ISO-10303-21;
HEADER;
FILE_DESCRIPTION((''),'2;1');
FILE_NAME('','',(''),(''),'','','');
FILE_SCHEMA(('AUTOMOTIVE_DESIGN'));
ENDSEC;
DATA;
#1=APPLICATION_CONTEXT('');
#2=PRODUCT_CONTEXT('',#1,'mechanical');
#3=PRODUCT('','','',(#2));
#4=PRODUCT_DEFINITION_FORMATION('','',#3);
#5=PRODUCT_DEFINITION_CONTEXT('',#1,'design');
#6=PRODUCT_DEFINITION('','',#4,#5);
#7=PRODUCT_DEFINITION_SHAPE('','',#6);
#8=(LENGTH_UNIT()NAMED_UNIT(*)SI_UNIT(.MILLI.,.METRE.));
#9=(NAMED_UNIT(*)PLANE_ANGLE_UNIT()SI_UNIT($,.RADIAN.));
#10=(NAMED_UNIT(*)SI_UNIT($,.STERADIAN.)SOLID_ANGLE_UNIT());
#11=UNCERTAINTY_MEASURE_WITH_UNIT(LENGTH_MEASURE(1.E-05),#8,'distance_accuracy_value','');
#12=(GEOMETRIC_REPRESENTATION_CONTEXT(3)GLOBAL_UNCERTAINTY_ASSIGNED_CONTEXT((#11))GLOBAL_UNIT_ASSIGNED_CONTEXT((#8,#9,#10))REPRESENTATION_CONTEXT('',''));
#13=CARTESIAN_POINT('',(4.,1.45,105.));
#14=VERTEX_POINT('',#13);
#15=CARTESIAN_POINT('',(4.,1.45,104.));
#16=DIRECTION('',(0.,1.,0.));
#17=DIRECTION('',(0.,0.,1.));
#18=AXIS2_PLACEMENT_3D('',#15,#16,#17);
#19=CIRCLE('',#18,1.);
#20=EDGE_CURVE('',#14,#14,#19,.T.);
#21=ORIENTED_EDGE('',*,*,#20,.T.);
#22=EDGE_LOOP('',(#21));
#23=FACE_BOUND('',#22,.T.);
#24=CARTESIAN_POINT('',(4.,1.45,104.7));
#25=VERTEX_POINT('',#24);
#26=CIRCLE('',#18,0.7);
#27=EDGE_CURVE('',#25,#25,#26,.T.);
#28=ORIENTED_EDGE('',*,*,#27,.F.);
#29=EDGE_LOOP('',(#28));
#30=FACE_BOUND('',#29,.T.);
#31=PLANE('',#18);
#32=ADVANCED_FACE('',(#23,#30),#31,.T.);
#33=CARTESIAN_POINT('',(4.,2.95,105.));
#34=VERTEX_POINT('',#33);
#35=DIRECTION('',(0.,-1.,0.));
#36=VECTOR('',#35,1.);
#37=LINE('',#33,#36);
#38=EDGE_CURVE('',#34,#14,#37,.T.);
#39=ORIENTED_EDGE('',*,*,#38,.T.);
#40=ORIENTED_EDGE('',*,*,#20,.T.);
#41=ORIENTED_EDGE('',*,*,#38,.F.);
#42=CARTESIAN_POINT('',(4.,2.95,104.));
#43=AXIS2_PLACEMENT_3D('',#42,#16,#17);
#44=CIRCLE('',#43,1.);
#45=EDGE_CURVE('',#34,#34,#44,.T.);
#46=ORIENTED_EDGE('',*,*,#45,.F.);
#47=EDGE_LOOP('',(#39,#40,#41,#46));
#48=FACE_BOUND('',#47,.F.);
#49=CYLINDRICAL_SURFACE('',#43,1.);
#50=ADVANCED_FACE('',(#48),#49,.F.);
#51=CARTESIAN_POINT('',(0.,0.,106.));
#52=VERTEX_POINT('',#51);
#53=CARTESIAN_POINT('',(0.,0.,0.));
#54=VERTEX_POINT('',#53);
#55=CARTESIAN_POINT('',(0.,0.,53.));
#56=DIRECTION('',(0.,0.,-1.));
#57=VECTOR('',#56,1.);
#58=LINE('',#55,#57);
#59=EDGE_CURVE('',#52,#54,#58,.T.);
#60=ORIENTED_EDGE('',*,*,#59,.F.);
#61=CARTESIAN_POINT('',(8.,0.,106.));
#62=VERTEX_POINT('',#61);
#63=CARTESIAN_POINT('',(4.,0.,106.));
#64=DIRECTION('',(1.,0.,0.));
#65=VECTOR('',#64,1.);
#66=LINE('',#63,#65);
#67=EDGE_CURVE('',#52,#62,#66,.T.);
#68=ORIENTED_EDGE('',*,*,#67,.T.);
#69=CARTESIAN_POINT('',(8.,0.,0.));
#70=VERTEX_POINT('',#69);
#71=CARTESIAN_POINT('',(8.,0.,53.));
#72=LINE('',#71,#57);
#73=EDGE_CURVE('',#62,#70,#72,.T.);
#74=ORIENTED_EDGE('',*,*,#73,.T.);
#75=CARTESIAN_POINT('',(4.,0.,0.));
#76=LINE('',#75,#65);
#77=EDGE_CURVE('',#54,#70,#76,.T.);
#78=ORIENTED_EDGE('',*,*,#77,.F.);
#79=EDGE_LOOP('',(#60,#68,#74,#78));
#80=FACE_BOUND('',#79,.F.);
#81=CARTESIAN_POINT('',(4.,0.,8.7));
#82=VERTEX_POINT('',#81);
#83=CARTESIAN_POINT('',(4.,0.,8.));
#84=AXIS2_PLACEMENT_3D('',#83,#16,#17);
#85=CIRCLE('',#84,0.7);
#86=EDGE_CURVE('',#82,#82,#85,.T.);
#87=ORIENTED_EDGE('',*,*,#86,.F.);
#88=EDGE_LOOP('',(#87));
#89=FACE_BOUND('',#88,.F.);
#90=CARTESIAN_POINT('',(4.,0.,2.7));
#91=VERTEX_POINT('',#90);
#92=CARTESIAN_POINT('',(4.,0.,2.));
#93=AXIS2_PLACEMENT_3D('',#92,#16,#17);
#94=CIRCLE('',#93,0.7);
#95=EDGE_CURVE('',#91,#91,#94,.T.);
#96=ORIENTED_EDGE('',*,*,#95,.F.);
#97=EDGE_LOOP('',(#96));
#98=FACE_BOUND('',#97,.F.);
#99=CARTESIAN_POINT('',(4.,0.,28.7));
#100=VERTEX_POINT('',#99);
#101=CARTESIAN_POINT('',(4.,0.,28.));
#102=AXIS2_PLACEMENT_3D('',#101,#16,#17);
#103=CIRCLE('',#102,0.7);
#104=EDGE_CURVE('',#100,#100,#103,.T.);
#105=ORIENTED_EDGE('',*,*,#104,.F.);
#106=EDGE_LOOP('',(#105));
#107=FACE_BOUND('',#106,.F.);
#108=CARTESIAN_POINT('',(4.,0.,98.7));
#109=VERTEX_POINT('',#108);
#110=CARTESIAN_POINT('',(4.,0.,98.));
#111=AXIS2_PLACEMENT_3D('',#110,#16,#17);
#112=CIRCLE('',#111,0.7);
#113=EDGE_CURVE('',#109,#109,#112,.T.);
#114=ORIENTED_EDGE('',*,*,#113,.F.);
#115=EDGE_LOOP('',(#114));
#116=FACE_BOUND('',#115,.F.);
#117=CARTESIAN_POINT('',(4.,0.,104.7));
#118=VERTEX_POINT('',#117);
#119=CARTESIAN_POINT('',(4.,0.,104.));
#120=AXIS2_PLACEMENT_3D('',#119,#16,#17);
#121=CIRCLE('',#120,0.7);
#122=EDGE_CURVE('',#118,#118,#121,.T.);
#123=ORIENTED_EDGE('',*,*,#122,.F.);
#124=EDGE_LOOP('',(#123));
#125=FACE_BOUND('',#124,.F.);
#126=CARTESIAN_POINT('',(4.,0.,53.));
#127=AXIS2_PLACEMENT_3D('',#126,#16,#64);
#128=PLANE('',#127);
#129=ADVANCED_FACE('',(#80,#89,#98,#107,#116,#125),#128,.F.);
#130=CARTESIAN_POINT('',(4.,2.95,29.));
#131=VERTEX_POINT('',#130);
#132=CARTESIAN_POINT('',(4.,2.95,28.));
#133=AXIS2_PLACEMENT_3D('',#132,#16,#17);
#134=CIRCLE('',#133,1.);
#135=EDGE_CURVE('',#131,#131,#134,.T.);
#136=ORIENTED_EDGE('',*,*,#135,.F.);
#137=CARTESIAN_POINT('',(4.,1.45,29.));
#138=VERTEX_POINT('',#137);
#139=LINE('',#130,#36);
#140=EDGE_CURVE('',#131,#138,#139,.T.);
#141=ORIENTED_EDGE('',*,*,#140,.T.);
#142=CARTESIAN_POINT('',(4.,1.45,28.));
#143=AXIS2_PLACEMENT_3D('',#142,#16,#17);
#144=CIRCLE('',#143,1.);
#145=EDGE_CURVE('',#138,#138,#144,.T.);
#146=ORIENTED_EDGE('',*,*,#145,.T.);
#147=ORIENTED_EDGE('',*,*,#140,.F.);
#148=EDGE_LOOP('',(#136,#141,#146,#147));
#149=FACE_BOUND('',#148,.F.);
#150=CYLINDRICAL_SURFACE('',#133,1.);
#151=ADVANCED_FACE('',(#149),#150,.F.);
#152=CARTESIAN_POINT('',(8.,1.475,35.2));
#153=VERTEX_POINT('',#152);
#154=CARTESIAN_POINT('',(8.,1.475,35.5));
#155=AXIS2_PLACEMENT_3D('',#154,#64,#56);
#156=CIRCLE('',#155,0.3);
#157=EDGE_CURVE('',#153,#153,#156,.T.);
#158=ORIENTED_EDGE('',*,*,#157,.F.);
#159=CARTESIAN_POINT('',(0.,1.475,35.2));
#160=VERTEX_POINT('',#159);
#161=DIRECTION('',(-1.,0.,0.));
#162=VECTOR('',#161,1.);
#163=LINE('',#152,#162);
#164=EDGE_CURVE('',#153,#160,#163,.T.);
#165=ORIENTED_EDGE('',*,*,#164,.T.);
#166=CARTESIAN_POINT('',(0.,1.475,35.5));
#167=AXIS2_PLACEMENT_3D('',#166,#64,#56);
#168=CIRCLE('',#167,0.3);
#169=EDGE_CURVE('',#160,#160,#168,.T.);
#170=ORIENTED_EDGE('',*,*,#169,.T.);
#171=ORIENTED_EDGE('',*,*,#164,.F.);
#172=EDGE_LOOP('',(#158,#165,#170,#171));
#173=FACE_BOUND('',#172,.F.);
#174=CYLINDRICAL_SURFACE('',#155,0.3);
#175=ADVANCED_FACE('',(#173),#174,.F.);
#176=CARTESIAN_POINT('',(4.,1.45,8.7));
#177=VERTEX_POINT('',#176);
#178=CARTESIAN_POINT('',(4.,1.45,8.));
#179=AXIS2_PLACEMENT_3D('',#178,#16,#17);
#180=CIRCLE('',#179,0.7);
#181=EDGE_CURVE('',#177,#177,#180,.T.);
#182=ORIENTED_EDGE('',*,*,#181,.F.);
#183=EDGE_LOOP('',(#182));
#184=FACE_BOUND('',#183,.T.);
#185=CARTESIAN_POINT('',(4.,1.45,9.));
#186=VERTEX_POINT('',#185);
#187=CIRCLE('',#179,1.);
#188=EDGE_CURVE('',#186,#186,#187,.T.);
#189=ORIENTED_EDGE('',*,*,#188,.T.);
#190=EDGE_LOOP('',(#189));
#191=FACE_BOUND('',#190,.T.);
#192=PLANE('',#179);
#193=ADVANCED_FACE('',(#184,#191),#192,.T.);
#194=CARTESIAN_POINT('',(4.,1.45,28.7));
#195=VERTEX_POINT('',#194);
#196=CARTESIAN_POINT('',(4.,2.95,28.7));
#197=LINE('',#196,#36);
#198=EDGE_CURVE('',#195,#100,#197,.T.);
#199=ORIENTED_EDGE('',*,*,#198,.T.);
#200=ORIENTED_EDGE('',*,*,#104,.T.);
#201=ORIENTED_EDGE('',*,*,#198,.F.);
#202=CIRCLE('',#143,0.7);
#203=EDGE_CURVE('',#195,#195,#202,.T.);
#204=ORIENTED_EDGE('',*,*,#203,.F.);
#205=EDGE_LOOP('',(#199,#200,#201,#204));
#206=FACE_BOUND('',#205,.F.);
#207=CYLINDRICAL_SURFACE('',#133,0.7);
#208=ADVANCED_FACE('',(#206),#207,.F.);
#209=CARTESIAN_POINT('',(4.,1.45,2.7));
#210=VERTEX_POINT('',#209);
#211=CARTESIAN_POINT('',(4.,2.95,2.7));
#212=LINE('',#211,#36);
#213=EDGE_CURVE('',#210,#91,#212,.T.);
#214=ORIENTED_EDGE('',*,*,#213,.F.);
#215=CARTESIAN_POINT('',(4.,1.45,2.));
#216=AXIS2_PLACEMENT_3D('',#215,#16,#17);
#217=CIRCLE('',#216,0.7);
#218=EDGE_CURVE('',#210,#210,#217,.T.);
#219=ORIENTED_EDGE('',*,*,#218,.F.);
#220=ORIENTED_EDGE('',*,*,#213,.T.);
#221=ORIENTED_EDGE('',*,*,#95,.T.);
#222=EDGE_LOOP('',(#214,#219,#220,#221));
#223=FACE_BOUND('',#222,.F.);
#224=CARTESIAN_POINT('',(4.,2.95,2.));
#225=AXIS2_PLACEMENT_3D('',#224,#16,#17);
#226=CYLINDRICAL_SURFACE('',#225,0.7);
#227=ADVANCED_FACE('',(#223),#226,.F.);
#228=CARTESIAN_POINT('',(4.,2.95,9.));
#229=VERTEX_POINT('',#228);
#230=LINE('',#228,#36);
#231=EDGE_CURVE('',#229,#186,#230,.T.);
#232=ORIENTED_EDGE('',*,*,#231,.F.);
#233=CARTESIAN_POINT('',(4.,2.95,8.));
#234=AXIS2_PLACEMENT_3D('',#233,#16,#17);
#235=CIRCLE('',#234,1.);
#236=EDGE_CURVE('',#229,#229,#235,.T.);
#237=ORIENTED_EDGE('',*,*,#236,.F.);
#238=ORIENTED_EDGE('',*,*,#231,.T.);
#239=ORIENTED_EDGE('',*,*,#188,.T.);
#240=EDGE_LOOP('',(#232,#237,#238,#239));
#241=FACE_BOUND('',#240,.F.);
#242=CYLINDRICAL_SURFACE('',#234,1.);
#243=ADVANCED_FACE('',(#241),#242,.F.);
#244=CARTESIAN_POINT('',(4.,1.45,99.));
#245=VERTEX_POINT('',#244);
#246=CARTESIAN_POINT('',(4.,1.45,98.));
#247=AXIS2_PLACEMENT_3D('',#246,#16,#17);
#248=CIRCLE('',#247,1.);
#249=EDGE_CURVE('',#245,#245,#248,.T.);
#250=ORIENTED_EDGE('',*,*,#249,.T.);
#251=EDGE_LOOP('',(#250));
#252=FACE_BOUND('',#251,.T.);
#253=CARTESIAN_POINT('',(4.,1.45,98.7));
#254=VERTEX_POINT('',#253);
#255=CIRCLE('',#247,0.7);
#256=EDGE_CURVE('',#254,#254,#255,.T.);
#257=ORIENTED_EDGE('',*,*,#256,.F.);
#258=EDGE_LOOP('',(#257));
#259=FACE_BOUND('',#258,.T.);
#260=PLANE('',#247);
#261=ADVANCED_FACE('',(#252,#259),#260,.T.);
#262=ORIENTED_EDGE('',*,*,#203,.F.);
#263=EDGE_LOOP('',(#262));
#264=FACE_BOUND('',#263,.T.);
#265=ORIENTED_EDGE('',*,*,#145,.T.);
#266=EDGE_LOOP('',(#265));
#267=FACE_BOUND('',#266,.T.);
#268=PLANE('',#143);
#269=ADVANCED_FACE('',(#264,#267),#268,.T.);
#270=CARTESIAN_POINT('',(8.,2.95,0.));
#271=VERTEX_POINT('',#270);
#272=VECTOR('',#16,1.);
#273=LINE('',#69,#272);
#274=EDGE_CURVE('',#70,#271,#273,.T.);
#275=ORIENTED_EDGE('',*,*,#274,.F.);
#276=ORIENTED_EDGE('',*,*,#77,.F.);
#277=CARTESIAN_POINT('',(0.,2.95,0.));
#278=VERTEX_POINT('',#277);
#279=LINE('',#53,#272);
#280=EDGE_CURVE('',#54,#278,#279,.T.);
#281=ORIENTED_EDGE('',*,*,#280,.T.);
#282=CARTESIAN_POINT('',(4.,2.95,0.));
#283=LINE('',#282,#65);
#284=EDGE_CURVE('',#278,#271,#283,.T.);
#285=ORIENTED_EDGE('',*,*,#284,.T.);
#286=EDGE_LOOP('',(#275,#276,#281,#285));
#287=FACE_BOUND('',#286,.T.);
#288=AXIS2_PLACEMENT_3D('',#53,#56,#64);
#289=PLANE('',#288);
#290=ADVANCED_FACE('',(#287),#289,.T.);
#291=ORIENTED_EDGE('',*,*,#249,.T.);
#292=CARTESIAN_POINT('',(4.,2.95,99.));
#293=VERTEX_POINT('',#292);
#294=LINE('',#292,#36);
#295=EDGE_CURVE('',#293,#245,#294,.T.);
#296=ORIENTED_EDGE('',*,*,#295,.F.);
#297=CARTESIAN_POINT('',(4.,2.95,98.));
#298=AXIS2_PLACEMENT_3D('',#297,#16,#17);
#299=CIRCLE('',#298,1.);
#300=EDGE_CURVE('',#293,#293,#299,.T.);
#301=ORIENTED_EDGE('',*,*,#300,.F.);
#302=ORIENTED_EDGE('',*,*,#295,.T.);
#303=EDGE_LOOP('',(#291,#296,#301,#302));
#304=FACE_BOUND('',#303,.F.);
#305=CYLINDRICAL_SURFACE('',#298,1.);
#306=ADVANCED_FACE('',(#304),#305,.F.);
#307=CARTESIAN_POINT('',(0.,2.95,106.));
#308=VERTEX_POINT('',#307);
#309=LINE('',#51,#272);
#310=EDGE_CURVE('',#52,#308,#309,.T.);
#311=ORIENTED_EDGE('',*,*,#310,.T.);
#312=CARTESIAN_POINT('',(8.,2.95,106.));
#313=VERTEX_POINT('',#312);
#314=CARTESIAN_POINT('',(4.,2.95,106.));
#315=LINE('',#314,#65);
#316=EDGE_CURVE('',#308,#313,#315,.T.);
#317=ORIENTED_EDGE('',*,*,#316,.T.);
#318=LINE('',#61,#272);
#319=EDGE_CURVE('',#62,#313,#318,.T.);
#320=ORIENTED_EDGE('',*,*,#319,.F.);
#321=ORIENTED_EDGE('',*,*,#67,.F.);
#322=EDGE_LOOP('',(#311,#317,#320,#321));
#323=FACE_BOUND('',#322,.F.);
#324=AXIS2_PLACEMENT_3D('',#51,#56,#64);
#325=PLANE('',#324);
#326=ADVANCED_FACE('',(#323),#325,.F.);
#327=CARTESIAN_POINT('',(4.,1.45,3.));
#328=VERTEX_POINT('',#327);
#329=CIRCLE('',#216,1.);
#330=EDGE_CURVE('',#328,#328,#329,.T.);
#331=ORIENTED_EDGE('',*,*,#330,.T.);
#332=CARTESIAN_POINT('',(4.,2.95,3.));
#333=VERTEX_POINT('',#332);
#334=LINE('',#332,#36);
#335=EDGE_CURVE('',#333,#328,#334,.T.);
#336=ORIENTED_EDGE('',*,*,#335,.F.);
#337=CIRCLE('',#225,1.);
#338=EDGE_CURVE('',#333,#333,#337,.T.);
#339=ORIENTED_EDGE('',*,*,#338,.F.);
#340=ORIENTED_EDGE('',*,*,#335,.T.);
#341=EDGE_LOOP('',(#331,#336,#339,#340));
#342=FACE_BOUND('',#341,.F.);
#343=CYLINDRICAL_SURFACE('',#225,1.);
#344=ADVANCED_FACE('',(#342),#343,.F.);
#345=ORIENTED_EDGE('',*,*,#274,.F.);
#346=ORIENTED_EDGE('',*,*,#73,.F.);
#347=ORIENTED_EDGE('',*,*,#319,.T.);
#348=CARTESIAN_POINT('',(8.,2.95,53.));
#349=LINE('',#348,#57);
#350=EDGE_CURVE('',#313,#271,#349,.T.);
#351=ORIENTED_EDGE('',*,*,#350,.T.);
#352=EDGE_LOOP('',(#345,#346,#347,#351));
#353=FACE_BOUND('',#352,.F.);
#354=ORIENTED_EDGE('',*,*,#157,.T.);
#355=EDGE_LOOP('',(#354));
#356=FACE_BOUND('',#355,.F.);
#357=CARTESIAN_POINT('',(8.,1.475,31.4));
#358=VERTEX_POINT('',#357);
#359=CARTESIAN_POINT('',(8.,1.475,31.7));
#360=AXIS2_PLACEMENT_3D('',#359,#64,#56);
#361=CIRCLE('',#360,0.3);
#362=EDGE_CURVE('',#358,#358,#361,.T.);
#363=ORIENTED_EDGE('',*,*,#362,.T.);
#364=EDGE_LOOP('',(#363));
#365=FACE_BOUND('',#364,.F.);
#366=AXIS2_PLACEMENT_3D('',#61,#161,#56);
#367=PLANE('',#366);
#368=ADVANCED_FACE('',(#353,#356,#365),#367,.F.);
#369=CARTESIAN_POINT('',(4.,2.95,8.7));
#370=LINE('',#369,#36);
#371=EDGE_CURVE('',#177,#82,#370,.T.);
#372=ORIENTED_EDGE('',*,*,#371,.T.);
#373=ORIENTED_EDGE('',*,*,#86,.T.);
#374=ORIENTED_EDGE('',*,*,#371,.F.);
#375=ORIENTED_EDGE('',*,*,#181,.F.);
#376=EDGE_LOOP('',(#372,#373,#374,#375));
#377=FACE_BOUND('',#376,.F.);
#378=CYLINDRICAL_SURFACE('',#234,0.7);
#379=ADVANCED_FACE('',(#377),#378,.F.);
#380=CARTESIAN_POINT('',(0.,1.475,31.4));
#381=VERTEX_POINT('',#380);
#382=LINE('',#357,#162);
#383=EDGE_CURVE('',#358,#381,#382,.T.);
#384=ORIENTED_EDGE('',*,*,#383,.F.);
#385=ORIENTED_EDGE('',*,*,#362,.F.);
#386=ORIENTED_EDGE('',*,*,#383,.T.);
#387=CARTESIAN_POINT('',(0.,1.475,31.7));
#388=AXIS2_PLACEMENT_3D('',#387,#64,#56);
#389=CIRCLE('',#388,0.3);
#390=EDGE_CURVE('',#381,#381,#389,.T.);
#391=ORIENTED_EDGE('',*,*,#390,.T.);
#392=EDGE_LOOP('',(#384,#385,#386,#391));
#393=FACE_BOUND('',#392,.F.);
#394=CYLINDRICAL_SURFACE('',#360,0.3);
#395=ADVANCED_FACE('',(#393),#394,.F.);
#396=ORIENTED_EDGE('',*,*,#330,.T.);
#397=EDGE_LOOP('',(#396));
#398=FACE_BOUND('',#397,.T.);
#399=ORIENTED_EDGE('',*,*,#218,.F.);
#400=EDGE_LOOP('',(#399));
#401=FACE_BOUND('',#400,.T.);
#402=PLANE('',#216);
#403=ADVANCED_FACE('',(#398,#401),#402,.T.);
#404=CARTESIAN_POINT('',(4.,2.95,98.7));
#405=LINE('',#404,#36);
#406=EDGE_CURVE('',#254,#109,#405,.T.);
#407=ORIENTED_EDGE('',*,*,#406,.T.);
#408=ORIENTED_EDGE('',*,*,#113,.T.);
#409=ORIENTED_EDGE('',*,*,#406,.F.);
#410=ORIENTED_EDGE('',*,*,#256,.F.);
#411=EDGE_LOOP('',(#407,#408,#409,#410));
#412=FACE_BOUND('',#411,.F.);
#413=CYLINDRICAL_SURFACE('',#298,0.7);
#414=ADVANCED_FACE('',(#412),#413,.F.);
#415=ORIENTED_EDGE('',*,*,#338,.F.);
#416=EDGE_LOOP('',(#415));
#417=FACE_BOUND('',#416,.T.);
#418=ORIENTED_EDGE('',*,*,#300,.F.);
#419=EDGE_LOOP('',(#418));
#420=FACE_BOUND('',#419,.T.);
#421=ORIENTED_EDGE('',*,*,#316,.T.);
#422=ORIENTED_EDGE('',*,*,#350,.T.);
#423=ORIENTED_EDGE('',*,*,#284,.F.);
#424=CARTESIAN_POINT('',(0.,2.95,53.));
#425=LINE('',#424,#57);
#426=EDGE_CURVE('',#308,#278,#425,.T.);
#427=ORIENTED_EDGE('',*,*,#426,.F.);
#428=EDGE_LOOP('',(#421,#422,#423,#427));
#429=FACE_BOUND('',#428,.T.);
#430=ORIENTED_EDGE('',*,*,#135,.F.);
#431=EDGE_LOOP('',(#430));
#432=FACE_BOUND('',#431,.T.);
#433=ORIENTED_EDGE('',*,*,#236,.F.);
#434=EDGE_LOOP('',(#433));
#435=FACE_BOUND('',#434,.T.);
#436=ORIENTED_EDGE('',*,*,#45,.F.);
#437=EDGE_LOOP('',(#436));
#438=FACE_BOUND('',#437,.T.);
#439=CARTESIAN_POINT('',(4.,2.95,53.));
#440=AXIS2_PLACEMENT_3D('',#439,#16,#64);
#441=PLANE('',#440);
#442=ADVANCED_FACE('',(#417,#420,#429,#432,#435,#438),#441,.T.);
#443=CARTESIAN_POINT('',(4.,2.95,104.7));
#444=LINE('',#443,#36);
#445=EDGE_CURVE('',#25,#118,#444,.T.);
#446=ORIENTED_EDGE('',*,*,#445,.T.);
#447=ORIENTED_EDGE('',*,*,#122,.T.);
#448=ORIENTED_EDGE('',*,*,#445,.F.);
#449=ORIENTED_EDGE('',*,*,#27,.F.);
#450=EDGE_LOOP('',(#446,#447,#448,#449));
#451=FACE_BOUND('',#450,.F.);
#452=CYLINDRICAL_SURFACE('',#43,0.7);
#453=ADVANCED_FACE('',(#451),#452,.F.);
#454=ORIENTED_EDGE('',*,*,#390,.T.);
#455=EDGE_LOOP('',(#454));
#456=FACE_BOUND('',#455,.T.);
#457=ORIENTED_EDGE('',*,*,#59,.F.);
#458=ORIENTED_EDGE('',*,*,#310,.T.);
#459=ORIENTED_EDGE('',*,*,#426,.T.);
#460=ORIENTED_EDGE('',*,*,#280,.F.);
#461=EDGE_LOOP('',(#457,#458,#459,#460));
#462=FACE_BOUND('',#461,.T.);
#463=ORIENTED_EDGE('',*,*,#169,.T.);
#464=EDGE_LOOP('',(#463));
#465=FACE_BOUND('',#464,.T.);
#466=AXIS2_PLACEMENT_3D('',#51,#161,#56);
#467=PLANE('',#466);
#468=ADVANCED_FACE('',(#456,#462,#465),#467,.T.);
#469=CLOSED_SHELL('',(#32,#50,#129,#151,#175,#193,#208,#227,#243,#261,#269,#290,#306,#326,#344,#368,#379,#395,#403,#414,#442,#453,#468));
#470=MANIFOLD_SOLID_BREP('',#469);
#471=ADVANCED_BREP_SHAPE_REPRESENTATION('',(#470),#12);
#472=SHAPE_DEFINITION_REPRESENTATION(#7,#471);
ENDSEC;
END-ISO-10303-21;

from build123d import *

# Parameters (mm, degrees)
SKETCH_1_W          = 8
SKETCH_1_H          = 106
EXTRUDE_1_DEPTH     = 2.95
SKETCH_2_R          = 0.7
CUT_EXTRUDE_1_DEPTH = 107.342383366
SKETCH_2_3_R        = 1
CUT_EXTRUDE_2_DEPTH = 1.5
SKETCH_3_R          = 0.3
CUT_EXTRUDE_3_DEPTH = 107.342383366


with BuildPart() as part:
    # 草图1 → 凸台-拉伸1 (new body)
    with BuildSketch(Plane(origin=(0, 0, 0), x_dir=(1, 0, 0), z_dir=(0, 1, 0))):
        with Locations((4, -53)):
            Rectangle(SKETCH_1_W, SKETCH_1_H)
    extrude(amount=EXTRUDE_1_DEPTH)

    # 草图2 → 切除-拉伸1 (cut, through all)
    with BuildSketch(Plane(origin=(0, 2.95, 0), x_dir=(1, 0, 0), z_dir=(0, 1, 0))):
        with Locations((4, -8)):
            Circle(SKETCH_2_R)
        with Locations((4, -2)):
            Circle(SKETCH_2_R)
        with Locations((4, -104)):
            Circle(SKETCH_2_R)
        with Locations((4, -98)):
            Circle(SKETCH_2_R)
        with Locations((4, -28)):
            Circle(SKETCH_2_R)
    extrude(amount=-CUT_EXTRUDE_1_DEPTH, mode=Mode.SUBTRACT)

    # 草图2<3> → 切除-拉伸2 (cut)
    with BuildSketch(Plane(origin=(0, 2.95, 0), x_dir=(1, 0, 0), z_dir=(0, 1, 0))):
        with Locations((4, -8)):
            Circle(SKETCH_2_3_R)
        with Locations((4, -2)):
            Circle(SKETCH_2_3_R)
        with Locations((4, -104)):
            Circle(SKETCH_2_3_R)
        with Locations((4, -98)):
            Circle(SKETCH_2_3_R)
        with Locations((4, -28)):
            Circle(SKETCH_2_3_R)
    extrude(amount=-CUT_EXTRUDE_2_DEPTH, mode=Mode.SUBTRACT)

    # 草图3 → 切除-拉伸3 (cut, through all)
    with BuildSketch(Plane(origin=(8, 0, 0), x_dir=(0, 0, -1), z_dir=(1, 0, 0))):
        with Locations((-31.7, 1.475)):
            Circle(SKETCH_3_R)
        with Locations((-35.5, 1.475)):
            Circle(SKETCH_3_R)
    extrude(amount=-CUT_EXTRUDE_3_DEPTH, mode=Mode.SUBTRACT)


solid = part.part
